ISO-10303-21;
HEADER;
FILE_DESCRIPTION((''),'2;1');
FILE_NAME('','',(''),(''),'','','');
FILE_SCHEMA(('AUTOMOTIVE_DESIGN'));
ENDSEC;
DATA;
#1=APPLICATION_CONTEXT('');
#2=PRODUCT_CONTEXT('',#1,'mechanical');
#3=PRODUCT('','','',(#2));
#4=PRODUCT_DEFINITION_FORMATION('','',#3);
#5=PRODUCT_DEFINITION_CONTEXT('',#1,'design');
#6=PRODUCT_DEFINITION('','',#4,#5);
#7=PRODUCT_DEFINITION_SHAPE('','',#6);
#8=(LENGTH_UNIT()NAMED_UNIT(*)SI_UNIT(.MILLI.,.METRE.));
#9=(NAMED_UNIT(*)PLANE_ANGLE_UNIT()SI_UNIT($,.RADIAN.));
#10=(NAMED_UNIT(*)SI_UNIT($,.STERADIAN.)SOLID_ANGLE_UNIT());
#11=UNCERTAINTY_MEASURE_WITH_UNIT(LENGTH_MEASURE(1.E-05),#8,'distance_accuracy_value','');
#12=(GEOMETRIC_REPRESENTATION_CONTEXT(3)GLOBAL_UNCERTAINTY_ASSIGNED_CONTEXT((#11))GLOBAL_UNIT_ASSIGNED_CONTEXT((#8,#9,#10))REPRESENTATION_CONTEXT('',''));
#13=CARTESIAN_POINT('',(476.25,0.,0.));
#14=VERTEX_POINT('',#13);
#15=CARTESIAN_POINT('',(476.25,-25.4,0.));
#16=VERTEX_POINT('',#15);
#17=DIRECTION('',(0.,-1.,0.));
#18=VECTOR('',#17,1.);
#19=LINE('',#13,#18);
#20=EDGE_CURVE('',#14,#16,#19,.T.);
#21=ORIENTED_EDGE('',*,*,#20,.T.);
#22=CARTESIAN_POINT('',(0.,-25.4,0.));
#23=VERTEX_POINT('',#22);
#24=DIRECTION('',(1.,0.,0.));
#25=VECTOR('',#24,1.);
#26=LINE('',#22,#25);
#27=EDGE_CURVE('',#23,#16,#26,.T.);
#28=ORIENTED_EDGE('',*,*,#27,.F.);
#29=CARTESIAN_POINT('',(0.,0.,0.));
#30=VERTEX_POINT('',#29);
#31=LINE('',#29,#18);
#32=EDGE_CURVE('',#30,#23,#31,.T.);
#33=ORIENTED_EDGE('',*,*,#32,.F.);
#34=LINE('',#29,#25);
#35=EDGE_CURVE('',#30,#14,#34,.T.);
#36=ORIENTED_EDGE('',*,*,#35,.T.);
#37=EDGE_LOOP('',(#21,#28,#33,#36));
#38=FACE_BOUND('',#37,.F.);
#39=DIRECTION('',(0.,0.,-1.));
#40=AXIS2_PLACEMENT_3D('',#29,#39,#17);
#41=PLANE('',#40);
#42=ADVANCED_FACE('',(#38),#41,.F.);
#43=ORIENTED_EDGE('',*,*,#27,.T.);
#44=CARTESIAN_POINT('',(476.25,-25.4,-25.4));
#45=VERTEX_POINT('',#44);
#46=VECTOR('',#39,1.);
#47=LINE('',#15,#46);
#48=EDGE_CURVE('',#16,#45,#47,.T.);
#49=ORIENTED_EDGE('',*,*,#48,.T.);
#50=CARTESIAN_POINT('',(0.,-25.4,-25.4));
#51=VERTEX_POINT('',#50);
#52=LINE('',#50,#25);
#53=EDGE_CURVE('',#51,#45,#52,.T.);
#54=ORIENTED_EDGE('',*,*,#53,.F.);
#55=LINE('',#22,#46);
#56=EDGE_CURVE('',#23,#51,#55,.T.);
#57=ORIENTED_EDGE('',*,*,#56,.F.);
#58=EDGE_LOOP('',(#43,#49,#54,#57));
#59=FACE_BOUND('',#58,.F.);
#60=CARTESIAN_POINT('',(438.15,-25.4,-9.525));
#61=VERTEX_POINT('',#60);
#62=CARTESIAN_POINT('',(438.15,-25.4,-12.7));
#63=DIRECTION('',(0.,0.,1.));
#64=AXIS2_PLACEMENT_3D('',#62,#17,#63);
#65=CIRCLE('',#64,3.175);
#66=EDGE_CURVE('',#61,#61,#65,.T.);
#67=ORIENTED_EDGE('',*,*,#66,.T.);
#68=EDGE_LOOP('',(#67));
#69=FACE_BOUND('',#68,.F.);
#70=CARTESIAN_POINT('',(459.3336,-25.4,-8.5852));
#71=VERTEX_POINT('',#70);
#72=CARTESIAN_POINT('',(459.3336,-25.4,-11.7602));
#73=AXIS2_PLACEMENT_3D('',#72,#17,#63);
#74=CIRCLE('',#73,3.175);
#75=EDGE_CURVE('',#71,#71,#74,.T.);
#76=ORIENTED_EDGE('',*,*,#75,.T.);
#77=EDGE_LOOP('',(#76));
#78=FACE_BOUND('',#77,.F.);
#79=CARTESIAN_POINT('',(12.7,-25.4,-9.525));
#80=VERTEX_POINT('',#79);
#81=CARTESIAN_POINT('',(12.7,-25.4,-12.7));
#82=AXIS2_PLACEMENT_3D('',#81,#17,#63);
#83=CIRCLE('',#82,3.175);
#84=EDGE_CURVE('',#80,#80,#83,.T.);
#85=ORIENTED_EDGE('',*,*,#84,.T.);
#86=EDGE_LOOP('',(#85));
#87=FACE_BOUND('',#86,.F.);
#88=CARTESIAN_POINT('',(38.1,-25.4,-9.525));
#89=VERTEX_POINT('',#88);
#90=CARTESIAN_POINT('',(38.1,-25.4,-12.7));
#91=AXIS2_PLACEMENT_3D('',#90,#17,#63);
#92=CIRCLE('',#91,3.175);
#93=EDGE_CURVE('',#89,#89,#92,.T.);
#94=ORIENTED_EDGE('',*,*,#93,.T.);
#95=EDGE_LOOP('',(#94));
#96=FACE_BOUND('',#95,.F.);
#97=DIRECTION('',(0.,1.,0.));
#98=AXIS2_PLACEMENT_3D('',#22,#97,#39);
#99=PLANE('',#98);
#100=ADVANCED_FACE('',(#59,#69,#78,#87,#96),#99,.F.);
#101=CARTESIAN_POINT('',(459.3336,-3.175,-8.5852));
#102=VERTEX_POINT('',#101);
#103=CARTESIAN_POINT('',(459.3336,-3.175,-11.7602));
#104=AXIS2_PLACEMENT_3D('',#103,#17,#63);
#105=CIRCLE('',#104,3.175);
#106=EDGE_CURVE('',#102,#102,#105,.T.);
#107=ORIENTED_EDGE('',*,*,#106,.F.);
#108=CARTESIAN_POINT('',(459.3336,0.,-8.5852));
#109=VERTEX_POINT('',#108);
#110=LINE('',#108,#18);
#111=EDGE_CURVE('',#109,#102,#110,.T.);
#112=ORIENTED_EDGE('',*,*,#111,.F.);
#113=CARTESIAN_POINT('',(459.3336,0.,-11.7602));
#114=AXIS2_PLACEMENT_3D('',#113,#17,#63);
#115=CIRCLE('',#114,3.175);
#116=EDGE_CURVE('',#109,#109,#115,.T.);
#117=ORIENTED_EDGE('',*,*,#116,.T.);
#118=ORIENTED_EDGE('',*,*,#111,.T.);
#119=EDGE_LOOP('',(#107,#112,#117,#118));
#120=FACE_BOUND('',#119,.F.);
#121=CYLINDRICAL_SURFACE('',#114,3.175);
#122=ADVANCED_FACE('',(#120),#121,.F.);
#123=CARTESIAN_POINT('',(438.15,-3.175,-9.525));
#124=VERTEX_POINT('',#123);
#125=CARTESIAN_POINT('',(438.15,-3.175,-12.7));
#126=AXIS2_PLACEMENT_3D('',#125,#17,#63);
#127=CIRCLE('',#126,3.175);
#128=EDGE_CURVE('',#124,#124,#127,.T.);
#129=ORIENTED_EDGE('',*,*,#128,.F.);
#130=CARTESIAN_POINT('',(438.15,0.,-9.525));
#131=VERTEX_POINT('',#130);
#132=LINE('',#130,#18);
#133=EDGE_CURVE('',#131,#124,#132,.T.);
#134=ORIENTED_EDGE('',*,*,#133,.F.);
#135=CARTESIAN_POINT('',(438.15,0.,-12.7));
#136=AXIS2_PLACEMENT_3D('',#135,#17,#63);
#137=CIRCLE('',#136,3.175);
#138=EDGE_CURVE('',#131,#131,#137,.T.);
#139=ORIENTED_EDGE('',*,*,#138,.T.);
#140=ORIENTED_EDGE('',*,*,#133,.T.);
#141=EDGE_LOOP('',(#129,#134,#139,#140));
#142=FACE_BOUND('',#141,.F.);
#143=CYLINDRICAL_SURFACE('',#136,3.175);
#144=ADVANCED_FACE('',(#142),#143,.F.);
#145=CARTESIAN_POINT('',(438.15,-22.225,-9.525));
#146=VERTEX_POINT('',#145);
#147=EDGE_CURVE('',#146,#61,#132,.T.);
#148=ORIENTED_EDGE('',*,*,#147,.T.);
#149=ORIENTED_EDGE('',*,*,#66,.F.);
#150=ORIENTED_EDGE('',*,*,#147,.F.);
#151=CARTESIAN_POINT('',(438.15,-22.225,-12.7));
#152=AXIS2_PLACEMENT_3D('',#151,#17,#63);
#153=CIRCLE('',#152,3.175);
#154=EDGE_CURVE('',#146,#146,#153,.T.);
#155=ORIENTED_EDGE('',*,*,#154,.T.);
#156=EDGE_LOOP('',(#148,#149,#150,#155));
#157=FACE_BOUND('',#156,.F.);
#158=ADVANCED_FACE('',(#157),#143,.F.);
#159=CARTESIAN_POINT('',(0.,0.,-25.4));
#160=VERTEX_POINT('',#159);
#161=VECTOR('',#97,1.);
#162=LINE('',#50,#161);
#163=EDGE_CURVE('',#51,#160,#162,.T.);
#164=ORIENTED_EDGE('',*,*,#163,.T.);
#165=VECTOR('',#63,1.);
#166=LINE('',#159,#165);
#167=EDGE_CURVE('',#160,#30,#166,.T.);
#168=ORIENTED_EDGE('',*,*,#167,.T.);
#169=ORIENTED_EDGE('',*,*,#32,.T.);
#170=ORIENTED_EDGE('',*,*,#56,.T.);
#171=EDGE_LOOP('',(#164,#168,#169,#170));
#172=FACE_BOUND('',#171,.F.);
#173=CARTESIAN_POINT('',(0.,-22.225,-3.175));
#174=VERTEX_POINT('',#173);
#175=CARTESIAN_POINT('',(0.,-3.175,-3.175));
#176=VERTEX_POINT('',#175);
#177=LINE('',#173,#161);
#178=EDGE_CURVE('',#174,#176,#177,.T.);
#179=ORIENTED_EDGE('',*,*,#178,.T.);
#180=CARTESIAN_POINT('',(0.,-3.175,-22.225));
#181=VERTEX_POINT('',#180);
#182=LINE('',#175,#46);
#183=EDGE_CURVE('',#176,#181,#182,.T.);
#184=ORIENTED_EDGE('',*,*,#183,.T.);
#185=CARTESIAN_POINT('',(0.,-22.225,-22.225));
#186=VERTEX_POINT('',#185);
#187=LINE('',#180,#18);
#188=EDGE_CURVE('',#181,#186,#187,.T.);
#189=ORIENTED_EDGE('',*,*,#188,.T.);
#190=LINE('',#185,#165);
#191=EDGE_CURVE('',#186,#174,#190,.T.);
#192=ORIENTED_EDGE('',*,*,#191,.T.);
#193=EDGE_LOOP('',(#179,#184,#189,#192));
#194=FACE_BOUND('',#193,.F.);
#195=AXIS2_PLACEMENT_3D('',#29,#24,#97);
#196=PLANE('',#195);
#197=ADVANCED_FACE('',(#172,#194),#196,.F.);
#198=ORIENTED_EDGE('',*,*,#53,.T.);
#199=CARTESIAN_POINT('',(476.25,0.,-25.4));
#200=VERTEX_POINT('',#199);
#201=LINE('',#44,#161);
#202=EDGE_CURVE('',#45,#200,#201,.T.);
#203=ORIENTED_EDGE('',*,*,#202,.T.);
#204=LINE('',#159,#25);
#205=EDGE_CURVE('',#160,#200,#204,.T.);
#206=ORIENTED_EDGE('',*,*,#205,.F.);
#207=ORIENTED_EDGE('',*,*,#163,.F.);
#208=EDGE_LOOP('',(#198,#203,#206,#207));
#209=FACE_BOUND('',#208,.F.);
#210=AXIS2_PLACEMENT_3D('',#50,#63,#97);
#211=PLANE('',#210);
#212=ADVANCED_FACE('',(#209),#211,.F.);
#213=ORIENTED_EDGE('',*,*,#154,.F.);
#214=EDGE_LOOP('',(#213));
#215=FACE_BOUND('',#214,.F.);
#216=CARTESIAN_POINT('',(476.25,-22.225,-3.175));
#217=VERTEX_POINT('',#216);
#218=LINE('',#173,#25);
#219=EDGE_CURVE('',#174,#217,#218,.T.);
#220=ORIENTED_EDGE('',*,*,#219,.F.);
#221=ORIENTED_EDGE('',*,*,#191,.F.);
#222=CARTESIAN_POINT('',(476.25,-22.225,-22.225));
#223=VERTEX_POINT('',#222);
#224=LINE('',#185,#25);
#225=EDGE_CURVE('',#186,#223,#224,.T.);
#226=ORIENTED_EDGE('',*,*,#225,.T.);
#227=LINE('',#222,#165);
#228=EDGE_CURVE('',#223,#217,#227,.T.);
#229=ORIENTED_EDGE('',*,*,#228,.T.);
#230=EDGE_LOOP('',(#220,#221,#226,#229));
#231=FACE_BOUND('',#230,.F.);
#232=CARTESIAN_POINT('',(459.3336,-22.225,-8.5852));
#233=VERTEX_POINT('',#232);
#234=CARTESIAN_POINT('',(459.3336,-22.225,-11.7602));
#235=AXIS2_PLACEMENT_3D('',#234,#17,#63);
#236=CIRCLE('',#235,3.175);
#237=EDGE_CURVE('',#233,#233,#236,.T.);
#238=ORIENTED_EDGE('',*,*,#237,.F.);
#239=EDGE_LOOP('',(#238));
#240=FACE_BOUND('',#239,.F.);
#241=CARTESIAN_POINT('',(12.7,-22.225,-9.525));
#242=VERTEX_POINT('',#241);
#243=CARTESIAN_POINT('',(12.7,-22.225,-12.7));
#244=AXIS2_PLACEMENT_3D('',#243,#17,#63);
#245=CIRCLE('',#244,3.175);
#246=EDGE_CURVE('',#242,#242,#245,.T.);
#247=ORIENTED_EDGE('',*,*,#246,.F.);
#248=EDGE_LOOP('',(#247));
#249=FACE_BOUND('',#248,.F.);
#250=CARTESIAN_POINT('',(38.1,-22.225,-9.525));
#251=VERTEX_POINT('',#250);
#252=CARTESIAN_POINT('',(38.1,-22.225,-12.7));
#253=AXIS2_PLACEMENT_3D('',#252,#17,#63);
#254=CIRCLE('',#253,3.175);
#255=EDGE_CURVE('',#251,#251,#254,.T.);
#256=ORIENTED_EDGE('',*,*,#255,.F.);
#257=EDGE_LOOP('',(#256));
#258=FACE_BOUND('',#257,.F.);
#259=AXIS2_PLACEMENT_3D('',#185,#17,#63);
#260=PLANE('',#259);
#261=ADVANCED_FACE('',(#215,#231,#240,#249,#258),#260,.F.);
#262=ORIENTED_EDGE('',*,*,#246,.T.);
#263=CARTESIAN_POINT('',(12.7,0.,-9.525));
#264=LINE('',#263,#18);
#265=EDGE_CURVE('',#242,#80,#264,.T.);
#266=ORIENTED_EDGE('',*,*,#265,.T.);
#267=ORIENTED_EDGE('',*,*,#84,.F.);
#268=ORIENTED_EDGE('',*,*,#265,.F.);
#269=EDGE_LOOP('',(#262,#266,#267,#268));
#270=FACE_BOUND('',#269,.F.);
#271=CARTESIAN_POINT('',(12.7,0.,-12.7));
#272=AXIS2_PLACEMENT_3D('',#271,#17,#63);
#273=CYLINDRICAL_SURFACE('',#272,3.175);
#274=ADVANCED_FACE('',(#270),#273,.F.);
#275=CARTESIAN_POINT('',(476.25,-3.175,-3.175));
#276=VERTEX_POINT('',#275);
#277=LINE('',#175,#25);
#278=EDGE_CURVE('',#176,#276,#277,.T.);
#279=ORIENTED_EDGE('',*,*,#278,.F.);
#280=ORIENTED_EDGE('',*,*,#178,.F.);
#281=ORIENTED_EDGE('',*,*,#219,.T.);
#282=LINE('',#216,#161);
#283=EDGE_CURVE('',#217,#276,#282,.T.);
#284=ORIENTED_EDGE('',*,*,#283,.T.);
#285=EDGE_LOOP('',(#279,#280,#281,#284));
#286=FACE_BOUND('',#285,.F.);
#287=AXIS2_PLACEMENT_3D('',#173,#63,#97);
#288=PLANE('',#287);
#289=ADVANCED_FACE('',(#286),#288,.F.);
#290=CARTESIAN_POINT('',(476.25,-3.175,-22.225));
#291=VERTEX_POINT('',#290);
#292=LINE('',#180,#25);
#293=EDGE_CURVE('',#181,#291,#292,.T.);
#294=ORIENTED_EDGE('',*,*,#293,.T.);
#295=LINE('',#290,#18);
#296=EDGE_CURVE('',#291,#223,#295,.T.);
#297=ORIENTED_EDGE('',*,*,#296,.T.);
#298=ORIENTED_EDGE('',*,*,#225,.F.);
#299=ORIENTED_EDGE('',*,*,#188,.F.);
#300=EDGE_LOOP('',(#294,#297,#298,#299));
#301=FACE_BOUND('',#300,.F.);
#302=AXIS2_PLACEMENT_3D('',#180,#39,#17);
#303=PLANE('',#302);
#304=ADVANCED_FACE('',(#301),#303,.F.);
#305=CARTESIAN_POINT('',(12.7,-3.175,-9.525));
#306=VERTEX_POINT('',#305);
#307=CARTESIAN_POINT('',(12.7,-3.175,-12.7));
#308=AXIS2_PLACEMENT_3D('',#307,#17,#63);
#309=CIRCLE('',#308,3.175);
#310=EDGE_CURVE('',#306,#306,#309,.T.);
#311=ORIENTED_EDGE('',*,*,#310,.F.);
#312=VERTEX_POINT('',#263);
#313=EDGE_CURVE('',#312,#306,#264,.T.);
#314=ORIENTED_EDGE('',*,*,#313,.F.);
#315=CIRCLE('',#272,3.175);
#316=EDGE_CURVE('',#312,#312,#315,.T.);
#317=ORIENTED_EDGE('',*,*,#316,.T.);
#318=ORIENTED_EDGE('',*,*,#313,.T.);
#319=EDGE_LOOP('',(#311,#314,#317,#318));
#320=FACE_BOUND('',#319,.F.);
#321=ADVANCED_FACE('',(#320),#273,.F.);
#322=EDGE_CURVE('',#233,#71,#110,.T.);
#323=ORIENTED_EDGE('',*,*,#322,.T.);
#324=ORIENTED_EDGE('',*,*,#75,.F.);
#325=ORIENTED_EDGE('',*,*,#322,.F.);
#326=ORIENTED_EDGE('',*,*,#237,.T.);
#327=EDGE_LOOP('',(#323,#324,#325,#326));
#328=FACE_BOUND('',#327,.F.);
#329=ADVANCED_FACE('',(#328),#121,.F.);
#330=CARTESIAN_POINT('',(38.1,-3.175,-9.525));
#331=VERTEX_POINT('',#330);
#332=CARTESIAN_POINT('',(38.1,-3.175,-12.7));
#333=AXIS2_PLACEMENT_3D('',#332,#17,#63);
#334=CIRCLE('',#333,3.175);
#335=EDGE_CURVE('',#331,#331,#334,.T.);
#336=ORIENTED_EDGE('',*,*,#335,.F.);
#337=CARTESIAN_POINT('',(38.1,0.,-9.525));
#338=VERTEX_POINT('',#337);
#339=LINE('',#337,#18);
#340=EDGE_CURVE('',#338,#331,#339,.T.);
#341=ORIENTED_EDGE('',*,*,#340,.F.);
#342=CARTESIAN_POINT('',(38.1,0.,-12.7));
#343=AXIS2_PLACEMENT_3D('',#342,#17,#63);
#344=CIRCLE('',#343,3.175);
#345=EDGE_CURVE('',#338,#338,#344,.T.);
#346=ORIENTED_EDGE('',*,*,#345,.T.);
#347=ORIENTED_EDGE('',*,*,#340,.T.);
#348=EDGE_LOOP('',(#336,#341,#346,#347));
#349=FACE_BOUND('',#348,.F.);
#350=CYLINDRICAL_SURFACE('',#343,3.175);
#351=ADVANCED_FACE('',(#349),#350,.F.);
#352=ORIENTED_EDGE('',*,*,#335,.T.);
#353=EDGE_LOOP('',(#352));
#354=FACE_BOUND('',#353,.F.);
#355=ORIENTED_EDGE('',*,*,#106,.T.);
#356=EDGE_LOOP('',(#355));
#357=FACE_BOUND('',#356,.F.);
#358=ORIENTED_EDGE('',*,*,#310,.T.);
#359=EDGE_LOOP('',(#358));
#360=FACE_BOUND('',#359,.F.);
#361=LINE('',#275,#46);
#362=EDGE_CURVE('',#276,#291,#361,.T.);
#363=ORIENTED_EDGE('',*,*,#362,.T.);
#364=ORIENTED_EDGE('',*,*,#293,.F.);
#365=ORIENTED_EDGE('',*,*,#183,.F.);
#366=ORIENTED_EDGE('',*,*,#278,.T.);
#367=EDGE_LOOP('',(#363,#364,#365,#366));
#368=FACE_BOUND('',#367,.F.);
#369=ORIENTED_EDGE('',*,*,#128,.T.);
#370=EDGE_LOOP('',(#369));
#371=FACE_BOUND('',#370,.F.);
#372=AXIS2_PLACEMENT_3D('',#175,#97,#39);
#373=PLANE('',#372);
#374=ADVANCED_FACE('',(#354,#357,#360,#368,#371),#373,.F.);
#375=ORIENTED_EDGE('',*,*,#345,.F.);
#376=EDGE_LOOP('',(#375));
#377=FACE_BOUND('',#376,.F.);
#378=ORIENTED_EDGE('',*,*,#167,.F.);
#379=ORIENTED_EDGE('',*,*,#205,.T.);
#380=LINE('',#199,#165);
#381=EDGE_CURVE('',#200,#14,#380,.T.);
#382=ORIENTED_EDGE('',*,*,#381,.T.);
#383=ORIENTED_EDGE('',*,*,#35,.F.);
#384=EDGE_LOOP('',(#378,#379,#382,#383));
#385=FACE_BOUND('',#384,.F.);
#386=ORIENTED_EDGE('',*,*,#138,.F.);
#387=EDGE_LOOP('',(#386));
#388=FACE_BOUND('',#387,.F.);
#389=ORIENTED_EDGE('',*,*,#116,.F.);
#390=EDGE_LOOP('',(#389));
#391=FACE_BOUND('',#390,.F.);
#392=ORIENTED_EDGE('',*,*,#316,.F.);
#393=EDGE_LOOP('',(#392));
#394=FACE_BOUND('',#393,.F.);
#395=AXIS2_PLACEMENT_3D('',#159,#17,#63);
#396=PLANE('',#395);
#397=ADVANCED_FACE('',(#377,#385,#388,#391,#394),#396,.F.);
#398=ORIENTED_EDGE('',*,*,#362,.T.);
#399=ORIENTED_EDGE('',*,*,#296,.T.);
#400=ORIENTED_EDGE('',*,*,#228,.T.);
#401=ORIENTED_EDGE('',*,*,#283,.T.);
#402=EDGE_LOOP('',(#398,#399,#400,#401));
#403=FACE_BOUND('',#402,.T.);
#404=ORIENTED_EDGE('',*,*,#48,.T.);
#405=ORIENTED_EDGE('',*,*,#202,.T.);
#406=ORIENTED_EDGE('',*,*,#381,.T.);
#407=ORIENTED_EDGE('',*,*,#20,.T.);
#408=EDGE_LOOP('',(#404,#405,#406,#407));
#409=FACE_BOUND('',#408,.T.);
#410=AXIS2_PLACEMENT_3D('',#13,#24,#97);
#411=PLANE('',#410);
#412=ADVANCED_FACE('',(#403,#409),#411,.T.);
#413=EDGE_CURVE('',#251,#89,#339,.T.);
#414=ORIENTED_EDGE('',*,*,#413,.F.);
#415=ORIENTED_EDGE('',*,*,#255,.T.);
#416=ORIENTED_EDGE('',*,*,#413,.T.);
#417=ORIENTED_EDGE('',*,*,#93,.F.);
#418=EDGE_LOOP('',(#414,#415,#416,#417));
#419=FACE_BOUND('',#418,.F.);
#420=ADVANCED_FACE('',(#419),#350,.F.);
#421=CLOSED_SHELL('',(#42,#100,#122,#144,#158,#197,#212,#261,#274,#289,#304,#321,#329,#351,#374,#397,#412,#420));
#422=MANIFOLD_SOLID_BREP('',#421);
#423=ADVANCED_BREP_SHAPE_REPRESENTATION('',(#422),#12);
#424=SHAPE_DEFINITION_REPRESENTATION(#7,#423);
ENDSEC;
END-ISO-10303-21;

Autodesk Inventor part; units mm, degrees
ref_plane "YZ Plane" through (0, 0, 0) normal (1, 0, 0) x (0, 1, 0)
ref_plane "XZ Plane" through (0, 0, 0) normal (0, 1, 0) x (-1, 0, 0)
ref_plane "XY Plane" through (0, 0, 0) normal (0, 0, 1) x (1, 0, 0)
sketch "Sketch1" plane through (0, 0, 0) normal (1, 0, 0) x (0, 1, 0)
  line L0 (0, 0) -> (-25.4, 0)
  line L1 (-25.4, 0) -> (-25.4, -25.4)
  line L2 (-25.4, -25.4) -> (0, -25.4)
  line L3 (0, -25.4) -> (0, 0)
  line L4 (-3.175, -22.225) -> (-22.225, -22.225)
  line L5 (-22.225, -22.225) -> (-22.225, -3.175)
  line L6 (-22.225, -3.175) -> (-3.175, -3.175)
  line L7 (-3.175, -3.175) -> (-3.175, -22.225)
  dimension "d0" = 25.4
  dimension "d1" = 25.4
  dimension "d2" = 3.175
extrude "Extrusion1" add sketch "Sketch1" along normal blind 476.25
sketch "Sketch2" plane through (0, 0, 0) normal (0, 1, 0) x (1, 0, 0)
  line L0 (0, 3.175) -> (0, 22.225) projected
  line L1 (0, 12.7) -> (476.25, 12.7) construction
  line L2 (0, 25.4) -> (476.25, 25.4) projected
  line L3 (476.25, 25.4) -> (476.25, 0) projected
  point P0 (0, 0)
  point P1 (438.15, 12.7)
  point P2 (12.7, 12.7)
  point P3 (38.1, 12.7)
  point P4 (459.3336, 11.7602)
  dimension "d6" = 12.7
  dimension "d7" = 12.7
  dimension "d8" = 38.1
  dimension "d9" = 38.1
  dimension "d10" = 16.9164
  dimension "d11" = 13.6398
hole "Hole1" at (438.15, 0, -12.7) at (12.7, 0, -12.7) at (38.1, 0, -12.7) at (459.3336, 0, -11.7602) direction (0, -1, 0) diameter 6.35 end through all
properties part number "15102898-16-P-0307" material "Aluminum 6061"
